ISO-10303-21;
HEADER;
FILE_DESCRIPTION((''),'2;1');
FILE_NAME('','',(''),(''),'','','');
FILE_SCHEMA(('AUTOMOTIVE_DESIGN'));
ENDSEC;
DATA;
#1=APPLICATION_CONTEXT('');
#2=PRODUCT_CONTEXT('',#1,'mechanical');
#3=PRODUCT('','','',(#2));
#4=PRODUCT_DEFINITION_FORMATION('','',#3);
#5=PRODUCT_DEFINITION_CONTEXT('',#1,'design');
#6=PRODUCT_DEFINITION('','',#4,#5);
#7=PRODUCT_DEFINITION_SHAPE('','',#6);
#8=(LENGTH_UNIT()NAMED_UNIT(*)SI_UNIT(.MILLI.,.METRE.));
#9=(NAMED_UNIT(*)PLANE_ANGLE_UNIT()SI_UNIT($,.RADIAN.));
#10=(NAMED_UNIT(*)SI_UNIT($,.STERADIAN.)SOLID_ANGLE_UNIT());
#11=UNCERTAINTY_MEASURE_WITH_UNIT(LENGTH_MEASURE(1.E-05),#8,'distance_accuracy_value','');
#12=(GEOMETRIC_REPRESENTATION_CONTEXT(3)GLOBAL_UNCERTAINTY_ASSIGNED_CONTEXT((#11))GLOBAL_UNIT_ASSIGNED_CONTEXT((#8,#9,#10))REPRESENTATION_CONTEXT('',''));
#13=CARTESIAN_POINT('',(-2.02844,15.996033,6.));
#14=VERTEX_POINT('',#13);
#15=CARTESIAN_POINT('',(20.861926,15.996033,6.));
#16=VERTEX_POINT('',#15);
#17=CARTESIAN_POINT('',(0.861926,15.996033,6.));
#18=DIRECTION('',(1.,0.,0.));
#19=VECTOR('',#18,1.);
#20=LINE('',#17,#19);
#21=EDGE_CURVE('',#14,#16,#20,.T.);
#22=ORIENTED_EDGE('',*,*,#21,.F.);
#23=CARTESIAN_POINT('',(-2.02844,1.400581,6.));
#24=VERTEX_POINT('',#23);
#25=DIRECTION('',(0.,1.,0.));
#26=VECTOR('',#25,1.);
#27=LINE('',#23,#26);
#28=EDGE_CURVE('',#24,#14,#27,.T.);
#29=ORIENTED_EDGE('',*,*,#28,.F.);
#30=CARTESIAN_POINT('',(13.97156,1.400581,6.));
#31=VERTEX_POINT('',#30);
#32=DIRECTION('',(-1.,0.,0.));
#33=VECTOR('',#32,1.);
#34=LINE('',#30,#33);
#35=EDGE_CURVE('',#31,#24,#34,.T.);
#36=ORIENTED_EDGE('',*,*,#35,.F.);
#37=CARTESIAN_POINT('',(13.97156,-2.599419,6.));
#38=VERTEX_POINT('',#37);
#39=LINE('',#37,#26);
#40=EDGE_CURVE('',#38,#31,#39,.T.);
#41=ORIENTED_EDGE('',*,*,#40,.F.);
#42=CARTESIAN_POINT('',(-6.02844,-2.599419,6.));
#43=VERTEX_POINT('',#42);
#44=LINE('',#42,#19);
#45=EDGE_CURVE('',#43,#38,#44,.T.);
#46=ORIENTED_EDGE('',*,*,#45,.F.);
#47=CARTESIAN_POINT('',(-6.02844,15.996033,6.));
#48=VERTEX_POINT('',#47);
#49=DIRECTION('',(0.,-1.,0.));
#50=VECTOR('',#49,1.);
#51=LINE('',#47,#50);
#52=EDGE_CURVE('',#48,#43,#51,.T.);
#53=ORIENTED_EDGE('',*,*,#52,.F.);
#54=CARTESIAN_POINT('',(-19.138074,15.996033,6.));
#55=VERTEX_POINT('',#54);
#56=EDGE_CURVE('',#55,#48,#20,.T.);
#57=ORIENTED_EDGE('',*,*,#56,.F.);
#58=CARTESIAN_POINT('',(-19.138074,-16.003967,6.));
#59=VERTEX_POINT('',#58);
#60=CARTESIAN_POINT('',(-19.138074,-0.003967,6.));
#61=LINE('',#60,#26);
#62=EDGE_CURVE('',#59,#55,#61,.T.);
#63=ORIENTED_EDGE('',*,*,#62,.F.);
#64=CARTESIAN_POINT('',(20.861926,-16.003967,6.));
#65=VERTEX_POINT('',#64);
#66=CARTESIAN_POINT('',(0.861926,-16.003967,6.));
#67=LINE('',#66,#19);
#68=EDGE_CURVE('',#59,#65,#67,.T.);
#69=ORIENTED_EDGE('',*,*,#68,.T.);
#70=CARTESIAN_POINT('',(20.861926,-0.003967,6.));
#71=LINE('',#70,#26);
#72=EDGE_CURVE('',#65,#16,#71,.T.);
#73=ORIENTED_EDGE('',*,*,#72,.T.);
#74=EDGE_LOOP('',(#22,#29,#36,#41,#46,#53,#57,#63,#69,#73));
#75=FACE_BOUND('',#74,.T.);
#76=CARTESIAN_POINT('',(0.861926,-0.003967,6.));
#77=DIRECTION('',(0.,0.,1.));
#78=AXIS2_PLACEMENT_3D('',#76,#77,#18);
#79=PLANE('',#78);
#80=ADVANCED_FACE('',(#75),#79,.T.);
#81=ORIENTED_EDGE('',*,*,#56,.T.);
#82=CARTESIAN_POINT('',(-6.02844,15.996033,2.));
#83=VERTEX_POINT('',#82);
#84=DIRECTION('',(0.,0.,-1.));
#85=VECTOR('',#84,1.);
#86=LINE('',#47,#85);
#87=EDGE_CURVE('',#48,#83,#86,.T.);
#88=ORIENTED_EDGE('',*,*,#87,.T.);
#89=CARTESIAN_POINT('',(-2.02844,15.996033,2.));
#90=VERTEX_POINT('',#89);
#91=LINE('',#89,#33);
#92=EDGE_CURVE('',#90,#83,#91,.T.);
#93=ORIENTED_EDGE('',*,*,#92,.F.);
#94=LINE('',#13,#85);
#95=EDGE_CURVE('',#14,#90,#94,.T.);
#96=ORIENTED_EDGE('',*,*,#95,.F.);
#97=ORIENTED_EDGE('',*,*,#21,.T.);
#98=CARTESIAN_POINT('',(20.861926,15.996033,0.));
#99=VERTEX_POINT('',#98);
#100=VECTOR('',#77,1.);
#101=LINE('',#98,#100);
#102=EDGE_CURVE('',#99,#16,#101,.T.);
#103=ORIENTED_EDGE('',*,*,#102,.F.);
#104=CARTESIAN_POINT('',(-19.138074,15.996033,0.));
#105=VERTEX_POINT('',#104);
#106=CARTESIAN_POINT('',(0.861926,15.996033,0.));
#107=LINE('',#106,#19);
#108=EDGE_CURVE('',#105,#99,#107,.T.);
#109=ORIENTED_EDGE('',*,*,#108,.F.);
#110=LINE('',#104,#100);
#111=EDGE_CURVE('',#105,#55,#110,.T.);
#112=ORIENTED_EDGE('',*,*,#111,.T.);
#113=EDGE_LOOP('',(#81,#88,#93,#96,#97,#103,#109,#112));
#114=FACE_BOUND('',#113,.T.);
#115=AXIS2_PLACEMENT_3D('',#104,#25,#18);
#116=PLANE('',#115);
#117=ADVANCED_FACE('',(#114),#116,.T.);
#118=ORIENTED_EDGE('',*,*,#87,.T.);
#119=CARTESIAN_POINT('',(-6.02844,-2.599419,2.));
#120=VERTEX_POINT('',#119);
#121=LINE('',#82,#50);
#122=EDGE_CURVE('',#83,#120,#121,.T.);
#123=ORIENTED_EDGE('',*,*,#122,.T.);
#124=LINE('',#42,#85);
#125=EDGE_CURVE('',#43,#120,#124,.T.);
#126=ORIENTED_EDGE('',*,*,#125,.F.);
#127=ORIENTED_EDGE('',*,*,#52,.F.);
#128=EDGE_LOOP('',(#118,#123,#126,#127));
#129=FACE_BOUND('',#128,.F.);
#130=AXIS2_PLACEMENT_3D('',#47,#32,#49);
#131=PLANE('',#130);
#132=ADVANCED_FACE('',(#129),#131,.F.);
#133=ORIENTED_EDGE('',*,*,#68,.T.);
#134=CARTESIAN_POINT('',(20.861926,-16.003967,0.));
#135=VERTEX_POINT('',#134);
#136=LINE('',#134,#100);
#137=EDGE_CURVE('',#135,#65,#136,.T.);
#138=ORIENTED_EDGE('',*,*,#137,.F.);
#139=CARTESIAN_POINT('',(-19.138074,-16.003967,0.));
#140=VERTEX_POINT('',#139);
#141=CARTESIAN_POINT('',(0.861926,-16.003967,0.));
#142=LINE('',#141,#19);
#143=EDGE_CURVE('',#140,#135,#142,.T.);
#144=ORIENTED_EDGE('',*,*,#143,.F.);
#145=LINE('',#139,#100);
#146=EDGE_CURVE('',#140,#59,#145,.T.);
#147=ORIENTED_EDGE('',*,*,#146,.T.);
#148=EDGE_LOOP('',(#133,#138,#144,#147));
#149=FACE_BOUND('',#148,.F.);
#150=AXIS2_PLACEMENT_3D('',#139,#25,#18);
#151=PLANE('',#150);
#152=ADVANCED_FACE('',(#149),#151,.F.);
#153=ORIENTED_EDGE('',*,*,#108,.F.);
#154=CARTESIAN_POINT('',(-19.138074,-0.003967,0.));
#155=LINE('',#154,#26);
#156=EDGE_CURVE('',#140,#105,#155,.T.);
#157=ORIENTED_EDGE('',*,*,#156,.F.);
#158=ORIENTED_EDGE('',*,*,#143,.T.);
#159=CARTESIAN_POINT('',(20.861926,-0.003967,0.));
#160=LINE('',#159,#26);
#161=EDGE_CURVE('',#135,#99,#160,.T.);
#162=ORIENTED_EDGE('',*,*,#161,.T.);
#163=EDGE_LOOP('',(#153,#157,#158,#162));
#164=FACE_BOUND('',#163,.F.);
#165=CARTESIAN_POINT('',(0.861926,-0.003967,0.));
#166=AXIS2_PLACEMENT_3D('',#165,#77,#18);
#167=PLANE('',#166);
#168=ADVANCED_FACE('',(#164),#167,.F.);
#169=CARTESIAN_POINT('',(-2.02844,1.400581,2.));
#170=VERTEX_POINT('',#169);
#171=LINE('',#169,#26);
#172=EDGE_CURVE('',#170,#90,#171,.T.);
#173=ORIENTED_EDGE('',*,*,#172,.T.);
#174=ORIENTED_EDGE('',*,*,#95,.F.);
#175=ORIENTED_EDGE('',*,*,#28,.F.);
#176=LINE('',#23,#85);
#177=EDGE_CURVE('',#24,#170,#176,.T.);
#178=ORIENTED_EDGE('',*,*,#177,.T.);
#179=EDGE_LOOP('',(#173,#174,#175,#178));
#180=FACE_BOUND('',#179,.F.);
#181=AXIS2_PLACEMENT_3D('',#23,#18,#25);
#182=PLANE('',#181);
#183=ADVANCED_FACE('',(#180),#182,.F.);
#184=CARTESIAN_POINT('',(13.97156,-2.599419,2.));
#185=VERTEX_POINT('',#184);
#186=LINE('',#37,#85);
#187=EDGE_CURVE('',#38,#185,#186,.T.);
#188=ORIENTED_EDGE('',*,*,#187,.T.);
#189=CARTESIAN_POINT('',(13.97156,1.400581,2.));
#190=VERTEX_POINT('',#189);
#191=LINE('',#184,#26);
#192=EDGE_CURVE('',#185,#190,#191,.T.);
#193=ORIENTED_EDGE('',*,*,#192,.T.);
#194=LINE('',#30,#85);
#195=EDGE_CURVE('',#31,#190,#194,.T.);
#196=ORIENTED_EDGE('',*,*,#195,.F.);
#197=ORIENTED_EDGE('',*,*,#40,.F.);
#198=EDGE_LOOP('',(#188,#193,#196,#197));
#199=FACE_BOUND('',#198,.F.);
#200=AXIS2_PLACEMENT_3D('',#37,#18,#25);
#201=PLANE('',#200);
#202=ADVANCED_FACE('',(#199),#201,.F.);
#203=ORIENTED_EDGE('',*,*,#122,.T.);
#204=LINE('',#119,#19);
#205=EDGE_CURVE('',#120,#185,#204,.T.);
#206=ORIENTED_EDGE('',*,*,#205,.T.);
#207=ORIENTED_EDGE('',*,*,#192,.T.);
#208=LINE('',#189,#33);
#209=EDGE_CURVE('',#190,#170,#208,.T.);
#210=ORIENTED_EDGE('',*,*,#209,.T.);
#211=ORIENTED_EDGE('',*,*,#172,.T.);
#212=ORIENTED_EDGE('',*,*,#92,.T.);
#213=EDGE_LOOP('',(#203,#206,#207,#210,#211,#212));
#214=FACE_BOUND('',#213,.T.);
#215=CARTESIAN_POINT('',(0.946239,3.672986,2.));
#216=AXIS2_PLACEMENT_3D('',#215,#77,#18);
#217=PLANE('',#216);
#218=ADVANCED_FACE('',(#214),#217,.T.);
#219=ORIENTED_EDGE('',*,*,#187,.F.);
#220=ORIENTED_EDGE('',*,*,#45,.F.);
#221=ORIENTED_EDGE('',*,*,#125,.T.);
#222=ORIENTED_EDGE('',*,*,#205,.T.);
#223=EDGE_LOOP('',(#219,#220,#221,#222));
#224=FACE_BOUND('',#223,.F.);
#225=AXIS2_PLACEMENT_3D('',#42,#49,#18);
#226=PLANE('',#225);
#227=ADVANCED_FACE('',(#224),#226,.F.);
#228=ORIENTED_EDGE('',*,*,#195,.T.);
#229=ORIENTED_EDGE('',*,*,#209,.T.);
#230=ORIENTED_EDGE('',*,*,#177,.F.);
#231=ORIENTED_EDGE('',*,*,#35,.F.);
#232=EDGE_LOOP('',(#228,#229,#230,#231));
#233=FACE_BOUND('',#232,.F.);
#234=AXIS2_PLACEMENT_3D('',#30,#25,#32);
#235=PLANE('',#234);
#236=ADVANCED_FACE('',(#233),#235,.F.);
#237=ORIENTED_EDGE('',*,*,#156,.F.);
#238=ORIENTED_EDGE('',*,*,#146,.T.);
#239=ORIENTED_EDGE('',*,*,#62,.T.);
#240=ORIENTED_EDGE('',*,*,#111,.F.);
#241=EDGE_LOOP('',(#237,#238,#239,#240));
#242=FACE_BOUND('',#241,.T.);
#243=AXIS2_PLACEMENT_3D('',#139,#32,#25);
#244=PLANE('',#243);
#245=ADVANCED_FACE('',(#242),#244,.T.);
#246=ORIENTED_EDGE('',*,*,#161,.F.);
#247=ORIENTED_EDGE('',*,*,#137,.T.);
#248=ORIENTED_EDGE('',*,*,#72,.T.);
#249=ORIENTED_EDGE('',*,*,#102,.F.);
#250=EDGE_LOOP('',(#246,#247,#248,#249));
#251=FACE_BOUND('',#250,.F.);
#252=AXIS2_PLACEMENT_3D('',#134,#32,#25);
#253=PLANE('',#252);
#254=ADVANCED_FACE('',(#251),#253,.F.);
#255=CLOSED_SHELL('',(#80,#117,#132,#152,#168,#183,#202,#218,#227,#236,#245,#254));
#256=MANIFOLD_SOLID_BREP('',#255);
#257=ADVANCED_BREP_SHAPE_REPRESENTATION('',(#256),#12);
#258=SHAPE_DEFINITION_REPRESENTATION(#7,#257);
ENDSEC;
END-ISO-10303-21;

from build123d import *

# Parameters (mm, degrees)
SKETCH_W     = 40
SKETCH_H     = 32
PAD_DEPTH    = 6
POCKET_DEPTH = 4


with BuildPart() as part:
    # Sketch → Pad (new body)
    with BuildSketch(Plane.XY):
        with Locations((0.861926, -0.003967)):
            Rectangle(SKETCH_W, SKETCH_H)
    extrude(amount=PAD_DEPTH)

    # Sketch001 → Pocket (cut)
    with BuildSketch(Plane.XY.offset(6)):
        Polygon((-6.02844, 15.996033), (-6.02844, -2.599419), (13.97156, -2.599419), (13.97156, 1.400581), (-2.02844, 1.400581), (-2.02844, 15.996033), align=None)
    extrude(amount=-POCKET_DEPTH, mode=Mode.SUBTRACT)


solid = part.part
